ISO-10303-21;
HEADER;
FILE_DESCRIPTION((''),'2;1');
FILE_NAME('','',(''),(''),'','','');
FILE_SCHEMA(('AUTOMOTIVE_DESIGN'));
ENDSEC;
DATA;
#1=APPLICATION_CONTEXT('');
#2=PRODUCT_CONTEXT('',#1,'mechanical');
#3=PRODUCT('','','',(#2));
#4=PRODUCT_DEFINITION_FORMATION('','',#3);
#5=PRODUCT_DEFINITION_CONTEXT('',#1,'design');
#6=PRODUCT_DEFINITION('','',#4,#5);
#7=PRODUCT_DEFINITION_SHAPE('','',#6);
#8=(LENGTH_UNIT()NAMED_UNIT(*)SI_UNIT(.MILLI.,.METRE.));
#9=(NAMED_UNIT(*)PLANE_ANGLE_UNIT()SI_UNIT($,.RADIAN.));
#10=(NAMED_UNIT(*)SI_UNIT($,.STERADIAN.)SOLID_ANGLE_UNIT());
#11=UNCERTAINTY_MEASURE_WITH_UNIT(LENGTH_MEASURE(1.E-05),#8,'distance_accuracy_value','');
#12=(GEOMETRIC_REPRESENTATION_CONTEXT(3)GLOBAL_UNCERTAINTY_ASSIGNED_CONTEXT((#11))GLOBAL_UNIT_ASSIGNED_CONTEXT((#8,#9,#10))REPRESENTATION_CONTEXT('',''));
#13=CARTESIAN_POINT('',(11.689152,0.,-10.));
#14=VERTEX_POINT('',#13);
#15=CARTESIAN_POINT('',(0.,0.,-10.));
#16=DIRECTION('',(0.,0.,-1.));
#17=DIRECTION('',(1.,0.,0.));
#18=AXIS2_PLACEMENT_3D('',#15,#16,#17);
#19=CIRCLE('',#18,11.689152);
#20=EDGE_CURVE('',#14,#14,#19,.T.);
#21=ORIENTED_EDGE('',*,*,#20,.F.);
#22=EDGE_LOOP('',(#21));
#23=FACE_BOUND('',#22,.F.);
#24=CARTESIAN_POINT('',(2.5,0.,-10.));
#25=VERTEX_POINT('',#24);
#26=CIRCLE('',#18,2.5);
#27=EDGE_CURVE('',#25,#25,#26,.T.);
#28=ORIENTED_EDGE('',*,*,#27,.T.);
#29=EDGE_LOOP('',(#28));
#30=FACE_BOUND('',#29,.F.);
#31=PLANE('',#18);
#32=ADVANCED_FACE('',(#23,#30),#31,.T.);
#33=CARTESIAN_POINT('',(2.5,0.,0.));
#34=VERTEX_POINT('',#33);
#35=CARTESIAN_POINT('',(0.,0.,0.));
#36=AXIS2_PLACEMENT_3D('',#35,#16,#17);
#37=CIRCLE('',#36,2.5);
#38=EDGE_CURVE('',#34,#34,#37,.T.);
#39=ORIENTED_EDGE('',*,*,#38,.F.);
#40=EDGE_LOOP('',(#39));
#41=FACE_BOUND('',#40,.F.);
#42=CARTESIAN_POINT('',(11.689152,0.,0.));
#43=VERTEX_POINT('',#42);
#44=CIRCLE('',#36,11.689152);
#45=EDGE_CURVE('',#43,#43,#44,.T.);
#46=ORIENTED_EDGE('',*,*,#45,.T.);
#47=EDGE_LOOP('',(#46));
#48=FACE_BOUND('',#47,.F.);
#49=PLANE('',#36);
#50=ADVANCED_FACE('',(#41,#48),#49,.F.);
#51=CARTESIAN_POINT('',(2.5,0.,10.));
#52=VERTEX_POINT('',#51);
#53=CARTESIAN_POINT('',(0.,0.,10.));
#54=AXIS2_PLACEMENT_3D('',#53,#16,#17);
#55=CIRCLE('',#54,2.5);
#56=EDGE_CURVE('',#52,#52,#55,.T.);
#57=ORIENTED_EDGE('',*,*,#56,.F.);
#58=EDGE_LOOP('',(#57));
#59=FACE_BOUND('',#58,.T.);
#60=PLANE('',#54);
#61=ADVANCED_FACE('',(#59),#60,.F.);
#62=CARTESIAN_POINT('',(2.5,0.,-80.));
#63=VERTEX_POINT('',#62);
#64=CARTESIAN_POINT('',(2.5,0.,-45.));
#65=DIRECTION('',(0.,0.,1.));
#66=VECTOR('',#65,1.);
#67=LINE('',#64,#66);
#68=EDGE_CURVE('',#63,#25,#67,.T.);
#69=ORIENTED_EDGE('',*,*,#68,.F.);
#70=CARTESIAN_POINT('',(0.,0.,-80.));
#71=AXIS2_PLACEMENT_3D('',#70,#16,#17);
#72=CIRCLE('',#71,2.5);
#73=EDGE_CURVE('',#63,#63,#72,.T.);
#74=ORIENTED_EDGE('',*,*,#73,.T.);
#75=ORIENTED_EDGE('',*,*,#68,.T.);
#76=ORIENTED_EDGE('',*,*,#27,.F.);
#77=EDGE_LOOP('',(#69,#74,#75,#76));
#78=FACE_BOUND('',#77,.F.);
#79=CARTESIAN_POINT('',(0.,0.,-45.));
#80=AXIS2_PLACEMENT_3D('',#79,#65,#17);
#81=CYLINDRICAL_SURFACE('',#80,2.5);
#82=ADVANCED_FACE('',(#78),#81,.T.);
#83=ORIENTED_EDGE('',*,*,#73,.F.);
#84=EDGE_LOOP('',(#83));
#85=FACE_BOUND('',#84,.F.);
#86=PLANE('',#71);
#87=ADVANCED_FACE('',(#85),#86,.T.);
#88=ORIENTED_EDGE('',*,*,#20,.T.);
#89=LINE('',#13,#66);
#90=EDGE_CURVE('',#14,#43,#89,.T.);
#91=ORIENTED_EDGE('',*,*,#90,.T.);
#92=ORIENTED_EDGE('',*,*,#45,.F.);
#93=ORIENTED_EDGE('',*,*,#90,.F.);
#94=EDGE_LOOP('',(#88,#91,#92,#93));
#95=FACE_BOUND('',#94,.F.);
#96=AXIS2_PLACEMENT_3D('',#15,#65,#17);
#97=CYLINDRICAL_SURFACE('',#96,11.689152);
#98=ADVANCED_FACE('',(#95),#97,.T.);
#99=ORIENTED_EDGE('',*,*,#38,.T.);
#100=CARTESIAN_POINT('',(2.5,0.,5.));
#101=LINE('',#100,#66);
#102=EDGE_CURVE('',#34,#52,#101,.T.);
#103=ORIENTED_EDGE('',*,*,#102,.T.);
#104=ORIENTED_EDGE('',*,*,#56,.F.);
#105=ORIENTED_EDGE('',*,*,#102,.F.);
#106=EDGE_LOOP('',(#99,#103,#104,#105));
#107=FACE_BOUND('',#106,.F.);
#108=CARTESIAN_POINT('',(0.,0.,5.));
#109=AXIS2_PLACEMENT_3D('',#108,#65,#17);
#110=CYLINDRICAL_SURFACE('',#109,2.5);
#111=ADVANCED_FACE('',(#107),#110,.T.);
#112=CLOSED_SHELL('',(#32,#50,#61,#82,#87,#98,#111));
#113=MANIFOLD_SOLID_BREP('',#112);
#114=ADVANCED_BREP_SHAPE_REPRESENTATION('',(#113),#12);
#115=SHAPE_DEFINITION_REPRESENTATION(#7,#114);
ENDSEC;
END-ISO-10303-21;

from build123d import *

# Parameters (mm, degrees)
F0_W   = 2.5
F0_H   = 10
F0_H_2 = 70


with BuildPart() as f1:
    # F0 (on Front) → F1 (revolve)
    with BuildSketch(Plane.XZ):
        Polygon((2.5, 0), (0, 0), (0, -10), (2.5, -10), (11.689152, -10), (11.689152, 0), align=None)
        with Locations((1.25, 5)):
            Rectangle(F0_W, F0_H)
        with Locations((1.25, -45)):
            Rectangle(F0_W, F0_H_2)
    revolve(axis=Axis((0, 0, -45), (0, 0, -1)))


solid = f1.part
